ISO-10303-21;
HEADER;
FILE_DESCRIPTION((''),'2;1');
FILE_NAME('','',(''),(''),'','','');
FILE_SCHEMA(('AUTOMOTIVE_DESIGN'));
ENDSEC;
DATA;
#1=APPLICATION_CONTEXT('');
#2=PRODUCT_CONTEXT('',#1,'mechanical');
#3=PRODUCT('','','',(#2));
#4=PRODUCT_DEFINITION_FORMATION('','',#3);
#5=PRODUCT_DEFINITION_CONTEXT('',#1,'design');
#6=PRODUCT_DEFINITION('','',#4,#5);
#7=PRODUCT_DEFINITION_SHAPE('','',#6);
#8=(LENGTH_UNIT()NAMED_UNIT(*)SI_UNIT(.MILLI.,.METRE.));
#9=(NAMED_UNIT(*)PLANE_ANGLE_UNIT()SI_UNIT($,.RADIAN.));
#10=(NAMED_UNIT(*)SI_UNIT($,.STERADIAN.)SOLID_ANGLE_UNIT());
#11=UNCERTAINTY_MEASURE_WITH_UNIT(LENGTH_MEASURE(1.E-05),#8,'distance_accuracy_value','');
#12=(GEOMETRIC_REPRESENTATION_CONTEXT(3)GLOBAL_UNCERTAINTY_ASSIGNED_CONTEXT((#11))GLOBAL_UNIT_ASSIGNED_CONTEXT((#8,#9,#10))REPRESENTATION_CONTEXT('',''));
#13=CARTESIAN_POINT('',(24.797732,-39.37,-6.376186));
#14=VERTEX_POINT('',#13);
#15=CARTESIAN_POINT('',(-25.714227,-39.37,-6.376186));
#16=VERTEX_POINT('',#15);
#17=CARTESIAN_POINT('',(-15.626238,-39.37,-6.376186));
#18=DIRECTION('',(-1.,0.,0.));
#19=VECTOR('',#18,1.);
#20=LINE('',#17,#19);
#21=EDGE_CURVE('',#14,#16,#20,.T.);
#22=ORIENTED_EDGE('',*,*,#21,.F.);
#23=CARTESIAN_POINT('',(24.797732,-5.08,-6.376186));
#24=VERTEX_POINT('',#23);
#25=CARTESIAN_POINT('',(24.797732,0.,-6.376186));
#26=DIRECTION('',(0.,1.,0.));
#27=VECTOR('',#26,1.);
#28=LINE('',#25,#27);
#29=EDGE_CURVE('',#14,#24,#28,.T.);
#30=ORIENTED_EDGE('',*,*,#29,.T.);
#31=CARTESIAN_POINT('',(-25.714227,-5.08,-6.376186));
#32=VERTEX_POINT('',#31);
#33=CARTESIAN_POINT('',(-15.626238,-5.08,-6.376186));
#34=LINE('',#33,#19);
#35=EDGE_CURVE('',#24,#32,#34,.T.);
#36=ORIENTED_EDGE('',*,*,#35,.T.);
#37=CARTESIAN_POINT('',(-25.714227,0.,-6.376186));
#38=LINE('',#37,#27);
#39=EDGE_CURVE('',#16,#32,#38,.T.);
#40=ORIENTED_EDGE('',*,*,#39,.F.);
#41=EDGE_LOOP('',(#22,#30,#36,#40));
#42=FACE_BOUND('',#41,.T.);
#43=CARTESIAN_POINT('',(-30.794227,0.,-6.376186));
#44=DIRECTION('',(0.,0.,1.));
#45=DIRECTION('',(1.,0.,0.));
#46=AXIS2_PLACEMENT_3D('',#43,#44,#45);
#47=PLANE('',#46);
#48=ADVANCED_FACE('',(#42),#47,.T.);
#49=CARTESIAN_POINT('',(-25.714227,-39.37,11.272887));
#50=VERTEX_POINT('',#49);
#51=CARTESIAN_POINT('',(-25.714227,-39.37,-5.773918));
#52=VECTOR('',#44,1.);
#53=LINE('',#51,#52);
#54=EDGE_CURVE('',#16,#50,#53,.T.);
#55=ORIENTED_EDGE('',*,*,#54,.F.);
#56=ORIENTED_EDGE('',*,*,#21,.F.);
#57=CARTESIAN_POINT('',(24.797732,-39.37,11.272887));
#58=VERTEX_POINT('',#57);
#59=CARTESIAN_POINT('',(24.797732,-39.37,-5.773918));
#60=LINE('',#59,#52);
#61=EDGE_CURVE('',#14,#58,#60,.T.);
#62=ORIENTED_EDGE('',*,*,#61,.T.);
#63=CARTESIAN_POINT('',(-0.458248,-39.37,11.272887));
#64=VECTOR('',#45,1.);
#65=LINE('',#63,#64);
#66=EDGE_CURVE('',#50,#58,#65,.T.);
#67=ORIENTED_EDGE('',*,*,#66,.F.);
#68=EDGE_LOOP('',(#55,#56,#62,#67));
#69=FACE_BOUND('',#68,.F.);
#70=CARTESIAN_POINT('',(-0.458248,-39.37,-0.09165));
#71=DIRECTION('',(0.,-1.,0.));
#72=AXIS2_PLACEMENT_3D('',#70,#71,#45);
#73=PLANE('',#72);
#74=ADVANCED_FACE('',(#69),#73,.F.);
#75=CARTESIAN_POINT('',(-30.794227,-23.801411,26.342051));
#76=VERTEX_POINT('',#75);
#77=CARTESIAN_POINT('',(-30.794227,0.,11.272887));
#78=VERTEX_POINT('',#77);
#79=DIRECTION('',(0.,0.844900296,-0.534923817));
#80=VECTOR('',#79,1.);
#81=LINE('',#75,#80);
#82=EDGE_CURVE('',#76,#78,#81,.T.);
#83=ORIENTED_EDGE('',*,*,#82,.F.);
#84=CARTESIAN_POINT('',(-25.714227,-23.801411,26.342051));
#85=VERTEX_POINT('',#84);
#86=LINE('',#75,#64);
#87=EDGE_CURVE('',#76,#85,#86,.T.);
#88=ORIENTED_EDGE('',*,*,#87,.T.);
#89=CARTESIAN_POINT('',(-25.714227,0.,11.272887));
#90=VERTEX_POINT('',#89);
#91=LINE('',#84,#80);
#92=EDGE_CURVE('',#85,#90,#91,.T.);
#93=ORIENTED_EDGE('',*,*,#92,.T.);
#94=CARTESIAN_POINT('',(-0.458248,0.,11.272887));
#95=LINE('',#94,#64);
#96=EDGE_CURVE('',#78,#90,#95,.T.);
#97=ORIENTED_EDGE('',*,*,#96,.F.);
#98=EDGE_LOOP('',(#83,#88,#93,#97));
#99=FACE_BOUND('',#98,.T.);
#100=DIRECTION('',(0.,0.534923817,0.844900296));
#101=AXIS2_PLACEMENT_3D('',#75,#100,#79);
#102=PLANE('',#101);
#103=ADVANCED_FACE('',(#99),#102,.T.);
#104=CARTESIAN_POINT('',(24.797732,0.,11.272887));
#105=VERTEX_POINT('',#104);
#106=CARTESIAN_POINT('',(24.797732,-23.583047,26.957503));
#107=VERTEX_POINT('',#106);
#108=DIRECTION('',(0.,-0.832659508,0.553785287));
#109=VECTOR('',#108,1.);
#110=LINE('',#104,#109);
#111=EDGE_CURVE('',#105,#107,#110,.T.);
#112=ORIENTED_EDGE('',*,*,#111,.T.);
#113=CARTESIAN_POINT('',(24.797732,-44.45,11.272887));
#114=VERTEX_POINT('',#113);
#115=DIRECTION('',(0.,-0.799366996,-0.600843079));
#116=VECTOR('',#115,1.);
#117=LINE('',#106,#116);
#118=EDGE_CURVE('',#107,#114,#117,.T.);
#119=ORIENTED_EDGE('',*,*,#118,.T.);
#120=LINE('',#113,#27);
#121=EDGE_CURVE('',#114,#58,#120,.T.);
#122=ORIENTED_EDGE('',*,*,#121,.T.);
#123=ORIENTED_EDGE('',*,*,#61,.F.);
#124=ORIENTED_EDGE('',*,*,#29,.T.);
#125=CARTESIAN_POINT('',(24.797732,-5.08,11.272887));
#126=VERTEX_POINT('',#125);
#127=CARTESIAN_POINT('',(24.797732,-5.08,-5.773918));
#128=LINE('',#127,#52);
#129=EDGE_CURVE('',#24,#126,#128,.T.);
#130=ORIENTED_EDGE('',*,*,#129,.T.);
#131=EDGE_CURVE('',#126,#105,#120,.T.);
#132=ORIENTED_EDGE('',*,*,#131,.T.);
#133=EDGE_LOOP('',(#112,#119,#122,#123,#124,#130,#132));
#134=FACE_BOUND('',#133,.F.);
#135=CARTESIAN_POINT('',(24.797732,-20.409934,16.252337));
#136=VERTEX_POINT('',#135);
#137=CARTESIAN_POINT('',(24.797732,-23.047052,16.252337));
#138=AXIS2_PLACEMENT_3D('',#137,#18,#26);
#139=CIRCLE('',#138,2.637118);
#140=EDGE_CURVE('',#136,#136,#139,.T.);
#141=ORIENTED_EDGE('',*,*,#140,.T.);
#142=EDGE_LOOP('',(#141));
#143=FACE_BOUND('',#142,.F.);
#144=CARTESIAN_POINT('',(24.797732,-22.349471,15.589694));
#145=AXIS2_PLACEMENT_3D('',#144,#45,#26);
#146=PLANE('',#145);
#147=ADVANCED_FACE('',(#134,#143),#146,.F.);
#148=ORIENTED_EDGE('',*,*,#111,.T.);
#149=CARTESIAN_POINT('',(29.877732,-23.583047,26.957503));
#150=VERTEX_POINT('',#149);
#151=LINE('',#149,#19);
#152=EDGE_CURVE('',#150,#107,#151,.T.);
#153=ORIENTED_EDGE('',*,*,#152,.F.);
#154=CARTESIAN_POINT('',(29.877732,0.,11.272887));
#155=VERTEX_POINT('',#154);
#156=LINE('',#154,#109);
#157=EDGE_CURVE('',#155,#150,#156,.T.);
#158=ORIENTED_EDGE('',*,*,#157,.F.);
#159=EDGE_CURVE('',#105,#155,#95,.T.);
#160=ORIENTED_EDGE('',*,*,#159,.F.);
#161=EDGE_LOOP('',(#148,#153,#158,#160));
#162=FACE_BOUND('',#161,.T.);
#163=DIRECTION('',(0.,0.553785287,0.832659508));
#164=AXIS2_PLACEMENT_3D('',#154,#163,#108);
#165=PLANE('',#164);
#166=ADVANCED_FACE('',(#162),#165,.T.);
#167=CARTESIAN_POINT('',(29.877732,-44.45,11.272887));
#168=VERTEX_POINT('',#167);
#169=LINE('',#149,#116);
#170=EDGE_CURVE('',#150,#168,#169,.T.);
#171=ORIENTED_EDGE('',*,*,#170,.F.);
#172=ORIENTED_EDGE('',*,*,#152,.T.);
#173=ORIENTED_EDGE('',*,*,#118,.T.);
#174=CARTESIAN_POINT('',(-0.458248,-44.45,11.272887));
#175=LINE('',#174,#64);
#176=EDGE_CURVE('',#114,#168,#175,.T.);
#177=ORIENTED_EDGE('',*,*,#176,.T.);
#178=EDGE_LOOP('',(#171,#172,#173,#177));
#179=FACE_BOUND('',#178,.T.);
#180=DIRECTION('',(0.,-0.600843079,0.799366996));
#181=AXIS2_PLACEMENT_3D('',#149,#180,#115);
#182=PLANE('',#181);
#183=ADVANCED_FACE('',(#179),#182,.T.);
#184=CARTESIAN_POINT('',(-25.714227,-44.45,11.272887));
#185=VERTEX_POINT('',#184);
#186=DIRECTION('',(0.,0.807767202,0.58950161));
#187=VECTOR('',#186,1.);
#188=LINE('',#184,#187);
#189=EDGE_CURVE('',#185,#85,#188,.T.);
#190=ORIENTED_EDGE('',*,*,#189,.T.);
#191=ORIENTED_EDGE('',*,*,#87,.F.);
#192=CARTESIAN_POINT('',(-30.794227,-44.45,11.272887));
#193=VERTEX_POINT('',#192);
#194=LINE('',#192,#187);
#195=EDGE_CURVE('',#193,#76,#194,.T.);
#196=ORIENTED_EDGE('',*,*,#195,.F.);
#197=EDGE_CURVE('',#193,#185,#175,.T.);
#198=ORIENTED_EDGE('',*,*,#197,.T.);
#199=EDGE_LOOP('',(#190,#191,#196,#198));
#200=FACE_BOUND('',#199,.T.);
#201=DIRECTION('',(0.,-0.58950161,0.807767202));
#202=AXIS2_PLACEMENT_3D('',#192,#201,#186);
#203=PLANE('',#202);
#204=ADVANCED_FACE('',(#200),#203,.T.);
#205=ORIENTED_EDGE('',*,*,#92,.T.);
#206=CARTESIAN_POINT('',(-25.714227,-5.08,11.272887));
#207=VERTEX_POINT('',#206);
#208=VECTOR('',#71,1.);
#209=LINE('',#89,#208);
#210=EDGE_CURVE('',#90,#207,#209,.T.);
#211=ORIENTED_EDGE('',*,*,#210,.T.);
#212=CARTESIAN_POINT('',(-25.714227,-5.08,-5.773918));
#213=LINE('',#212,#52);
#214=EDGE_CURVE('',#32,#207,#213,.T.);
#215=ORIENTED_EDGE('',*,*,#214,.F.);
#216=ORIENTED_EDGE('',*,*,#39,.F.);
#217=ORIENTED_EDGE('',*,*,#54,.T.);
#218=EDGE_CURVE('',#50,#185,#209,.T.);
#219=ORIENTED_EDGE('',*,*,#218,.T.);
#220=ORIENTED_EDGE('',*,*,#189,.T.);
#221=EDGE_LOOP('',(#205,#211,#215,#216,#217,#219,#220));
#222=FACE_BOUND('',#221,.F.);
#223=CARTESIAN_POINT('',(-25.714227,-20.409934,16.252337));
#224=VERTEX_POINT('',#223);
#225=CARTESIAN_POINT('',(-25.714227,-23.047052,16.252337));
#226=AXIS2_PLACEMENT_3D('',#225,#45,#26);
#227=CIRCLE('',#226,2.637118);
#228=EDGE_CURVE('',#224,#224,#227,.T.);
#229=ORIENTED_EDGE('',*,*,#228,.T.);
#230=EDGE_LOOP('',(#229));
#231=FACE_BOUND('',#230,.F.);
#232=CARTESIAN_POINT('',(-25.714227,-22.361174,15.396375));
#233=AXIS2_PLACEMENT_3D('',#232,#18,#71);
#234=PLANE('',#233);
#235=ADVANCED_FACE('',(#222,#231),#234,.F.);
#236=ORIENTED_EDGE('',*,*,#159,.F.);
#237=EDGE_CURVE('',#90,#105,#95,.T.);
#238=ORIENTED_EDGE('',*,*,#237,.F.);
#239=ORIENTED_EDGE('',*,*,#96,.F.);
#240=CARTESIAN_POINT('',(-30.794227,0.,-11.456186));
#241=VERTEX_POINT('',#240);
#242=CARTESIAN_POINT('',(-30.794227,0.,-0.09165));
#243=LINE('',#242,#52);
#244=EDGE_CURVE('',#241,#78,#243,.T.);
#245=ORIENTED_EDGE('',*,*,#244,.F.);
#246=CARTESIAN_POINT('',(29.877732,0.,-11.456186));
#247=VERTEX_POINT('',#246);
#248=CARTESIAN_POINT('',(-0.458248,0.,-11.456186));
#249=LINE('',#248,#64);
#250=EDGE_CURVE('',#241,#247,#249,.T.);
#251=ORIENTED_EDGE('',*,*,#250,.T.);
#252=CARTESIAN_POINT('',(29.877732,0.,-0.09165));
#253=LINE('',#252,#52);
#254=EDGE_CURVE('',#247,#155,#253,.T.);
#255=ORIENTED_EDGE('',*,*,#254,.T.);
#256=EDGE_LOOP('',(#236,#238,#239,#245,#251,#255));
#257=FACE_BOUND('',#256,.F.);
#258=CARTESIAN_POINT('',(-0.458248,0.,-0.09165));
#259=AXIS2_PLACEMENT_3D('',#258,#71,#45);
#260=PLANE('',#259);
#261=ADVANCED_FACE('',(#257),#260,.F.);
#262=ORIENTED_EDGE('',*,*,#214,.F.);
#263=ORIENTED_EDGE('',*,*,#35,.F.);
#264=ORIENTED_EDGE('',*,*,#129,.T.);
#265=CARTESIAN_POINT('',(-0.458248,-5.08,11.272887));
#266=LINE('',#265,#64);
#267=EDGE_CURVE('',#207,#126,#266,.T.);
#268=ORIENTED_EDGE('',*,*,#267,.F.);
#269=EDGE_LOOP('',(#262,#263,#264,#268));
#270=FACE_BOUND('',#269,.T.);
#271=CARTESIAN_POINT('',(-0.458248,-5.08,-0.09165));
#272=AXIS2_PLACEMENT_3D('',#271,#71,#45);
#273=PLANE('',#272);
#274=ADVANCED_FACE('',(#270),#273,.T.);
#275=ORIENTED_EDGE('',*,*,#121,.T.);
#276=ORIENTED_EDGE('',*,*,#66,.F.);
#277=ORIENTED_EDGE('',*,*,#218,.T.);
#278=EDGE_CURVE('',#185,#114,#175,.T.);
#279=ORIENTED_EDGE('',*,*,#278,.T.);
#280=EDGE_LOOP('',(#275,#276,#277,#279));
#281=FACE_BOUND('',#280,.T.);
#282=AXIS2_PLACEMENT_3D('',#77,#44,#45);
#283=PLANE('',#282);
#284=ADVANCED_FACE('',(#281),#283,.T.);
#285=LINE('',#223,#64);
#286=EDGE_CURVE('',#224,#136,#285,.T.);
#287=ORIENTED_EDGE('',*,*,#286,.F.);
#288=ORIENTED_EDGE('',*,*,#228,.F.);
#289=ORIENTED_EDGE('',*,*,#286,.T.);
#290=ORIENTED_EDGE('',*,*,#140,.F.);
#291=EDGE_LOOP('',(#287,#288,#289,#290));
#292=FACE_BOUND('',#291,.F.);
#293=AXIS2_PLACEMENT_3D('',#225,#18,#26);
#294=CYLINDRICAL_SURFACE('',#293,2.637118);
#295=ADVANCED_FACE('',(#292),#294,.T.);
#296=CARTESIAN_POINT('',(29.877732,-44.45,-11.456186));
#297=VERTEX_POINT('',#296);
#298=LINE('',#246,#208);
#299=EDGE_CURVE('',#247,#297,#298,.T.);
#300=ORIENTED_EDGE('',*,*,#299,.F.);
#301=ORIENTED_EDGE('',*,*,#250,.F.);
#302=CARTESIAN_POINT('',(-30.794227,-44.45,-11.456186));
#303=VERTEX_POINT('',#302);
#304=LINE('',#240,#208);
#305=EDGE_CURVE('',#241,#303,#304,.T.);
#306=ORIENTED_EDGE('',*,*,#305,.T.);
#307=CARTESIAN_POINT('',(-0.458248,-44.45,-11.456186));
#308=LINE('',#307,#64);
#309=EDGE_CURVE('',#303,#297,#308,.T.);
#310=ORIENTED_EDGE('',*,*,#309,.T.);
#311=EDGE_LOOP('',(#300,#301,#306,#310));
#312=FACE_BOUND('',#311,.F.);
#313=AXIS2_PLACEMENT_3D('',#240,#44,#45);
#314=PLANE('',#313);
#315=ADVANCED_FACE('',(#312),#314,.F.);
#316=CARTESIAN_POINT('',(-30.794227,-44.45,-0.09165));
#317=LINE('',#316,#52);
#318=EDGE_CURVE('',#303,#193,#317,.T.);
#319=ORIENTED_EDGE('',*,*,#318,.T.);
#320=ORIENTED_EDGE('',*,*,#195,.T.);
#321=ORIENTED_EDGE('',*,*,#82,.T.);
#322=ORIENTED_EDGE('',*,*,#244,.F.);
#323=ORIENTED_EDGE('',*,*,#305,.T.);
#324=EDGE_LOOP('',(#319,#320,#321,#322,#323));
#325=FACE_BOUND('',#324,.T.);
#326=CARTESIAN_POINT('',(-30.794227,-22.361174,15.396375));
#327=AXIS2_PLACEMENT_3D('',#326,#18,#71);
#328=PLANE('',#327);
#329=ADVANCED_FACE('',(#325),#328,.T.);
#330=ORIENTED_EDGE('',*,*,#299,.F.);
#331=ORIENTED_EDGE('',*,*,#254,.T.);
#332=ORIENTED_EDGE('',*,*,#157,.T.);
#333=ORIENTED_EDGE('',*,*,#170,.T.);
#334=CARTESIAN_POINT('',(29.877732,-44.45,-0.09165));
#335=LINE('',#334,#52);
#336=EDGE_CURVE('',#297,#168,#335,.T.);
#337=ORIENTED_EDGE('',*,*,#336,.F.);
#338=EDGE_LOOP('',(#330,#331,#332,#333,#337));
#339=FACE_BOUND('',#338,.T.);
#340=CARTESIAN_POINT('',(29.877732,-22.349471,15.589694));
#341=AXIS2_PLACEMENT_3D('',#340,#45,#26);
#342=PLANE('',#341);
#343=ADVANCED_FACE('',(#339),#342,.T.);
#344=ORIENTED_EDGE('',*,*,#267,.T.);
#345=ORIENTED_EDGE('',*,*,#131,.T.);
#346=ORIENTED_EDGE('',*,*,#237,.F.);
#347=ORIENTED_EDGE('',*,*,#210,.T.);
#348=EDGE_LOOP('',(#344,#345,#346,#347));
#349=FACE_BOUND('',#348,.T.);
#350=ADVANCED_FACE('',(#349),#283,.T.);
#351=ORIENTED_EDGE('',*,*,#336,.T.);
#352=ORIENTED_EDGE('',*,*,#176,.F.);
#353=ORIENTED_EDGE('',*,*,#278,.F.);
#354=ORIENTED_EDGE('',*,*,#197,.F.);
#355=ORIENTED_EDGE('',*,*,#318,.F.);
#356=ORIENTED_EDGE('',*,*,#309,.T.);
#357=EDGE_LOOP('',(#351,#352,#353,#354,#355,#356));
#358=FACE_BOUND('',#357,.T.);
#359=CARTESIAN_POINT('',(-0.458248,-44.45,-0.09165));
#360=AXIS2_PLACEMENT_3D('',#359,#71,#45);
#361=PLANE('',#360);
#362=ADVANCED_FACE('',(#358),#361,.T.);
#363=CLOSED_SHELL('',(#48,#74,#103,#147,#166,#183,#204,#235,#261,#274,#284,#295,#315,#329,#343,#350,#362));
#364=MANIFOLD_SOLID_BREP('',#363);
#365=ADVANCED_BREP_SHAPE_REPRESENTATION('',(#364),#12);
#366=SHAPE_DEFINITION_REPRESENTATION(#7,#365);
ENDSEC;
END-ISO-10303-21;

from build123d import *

# Parameters (mm, degrees)
F0_W     = 60.6719590724
F0_H     = 22.7290727198
F1_DEPTH = 44.45
F2_T     = -5.08
F4_DEPTH = 5.08
F6_DEPTH = 5.08
F7_R     = 2.6371182677
F8_DEPTH = 55.245


with BuildPart() as f1:
    # F0 (on Front) → F1 (new body)
    with BuildSketch(Plane.XZ):
        with Locations((-0.4582479596, -0.0916495919)):
            Rectangle(F0_W, F0_H)
    extrude(amount=F1_DEPTH)

    # F2
    f2_openings = [f1.faces().sort_by_distance(p)[0] for p in [
        (-0.458248, -22.225, 11.272887),
    ]]
    offset(amount=F2_T, openings=f2_openings)

    # F3 (on face) → F4 (join)
    with BuildSketch(Plane.YZ.offset(29.8777315766)):
        Polygon((-23.583047092, 26.9575025886), (-44.45, 11.272886768), (0, 11.272886768), align=None)
    extrude(amount=-F4_DEPTH)

    # F5 (on face) → F6 (join)
    with BuildSketch(Plane(origin=(-30.7942274958, 0, 0), x_dir=(0, -1, 0), z_dir=(-1, 0, 0))):
        Polygon((23.8014105707, 26.3420511037), (0, 11.272886768), (44.45, 11.272886768), align=None)
    extrude(amount=-F6_DEPTH)

    # F7 (on face) → F8 (join)
    with BuildSketch(Plane.YZ.offset(-25.7142274958)):
        with Locations((-23.0470523238, 16.2523370236)):
            Circle(F7_R)
    extrude(amount=F8_DEPTH)


solid = f1.part
